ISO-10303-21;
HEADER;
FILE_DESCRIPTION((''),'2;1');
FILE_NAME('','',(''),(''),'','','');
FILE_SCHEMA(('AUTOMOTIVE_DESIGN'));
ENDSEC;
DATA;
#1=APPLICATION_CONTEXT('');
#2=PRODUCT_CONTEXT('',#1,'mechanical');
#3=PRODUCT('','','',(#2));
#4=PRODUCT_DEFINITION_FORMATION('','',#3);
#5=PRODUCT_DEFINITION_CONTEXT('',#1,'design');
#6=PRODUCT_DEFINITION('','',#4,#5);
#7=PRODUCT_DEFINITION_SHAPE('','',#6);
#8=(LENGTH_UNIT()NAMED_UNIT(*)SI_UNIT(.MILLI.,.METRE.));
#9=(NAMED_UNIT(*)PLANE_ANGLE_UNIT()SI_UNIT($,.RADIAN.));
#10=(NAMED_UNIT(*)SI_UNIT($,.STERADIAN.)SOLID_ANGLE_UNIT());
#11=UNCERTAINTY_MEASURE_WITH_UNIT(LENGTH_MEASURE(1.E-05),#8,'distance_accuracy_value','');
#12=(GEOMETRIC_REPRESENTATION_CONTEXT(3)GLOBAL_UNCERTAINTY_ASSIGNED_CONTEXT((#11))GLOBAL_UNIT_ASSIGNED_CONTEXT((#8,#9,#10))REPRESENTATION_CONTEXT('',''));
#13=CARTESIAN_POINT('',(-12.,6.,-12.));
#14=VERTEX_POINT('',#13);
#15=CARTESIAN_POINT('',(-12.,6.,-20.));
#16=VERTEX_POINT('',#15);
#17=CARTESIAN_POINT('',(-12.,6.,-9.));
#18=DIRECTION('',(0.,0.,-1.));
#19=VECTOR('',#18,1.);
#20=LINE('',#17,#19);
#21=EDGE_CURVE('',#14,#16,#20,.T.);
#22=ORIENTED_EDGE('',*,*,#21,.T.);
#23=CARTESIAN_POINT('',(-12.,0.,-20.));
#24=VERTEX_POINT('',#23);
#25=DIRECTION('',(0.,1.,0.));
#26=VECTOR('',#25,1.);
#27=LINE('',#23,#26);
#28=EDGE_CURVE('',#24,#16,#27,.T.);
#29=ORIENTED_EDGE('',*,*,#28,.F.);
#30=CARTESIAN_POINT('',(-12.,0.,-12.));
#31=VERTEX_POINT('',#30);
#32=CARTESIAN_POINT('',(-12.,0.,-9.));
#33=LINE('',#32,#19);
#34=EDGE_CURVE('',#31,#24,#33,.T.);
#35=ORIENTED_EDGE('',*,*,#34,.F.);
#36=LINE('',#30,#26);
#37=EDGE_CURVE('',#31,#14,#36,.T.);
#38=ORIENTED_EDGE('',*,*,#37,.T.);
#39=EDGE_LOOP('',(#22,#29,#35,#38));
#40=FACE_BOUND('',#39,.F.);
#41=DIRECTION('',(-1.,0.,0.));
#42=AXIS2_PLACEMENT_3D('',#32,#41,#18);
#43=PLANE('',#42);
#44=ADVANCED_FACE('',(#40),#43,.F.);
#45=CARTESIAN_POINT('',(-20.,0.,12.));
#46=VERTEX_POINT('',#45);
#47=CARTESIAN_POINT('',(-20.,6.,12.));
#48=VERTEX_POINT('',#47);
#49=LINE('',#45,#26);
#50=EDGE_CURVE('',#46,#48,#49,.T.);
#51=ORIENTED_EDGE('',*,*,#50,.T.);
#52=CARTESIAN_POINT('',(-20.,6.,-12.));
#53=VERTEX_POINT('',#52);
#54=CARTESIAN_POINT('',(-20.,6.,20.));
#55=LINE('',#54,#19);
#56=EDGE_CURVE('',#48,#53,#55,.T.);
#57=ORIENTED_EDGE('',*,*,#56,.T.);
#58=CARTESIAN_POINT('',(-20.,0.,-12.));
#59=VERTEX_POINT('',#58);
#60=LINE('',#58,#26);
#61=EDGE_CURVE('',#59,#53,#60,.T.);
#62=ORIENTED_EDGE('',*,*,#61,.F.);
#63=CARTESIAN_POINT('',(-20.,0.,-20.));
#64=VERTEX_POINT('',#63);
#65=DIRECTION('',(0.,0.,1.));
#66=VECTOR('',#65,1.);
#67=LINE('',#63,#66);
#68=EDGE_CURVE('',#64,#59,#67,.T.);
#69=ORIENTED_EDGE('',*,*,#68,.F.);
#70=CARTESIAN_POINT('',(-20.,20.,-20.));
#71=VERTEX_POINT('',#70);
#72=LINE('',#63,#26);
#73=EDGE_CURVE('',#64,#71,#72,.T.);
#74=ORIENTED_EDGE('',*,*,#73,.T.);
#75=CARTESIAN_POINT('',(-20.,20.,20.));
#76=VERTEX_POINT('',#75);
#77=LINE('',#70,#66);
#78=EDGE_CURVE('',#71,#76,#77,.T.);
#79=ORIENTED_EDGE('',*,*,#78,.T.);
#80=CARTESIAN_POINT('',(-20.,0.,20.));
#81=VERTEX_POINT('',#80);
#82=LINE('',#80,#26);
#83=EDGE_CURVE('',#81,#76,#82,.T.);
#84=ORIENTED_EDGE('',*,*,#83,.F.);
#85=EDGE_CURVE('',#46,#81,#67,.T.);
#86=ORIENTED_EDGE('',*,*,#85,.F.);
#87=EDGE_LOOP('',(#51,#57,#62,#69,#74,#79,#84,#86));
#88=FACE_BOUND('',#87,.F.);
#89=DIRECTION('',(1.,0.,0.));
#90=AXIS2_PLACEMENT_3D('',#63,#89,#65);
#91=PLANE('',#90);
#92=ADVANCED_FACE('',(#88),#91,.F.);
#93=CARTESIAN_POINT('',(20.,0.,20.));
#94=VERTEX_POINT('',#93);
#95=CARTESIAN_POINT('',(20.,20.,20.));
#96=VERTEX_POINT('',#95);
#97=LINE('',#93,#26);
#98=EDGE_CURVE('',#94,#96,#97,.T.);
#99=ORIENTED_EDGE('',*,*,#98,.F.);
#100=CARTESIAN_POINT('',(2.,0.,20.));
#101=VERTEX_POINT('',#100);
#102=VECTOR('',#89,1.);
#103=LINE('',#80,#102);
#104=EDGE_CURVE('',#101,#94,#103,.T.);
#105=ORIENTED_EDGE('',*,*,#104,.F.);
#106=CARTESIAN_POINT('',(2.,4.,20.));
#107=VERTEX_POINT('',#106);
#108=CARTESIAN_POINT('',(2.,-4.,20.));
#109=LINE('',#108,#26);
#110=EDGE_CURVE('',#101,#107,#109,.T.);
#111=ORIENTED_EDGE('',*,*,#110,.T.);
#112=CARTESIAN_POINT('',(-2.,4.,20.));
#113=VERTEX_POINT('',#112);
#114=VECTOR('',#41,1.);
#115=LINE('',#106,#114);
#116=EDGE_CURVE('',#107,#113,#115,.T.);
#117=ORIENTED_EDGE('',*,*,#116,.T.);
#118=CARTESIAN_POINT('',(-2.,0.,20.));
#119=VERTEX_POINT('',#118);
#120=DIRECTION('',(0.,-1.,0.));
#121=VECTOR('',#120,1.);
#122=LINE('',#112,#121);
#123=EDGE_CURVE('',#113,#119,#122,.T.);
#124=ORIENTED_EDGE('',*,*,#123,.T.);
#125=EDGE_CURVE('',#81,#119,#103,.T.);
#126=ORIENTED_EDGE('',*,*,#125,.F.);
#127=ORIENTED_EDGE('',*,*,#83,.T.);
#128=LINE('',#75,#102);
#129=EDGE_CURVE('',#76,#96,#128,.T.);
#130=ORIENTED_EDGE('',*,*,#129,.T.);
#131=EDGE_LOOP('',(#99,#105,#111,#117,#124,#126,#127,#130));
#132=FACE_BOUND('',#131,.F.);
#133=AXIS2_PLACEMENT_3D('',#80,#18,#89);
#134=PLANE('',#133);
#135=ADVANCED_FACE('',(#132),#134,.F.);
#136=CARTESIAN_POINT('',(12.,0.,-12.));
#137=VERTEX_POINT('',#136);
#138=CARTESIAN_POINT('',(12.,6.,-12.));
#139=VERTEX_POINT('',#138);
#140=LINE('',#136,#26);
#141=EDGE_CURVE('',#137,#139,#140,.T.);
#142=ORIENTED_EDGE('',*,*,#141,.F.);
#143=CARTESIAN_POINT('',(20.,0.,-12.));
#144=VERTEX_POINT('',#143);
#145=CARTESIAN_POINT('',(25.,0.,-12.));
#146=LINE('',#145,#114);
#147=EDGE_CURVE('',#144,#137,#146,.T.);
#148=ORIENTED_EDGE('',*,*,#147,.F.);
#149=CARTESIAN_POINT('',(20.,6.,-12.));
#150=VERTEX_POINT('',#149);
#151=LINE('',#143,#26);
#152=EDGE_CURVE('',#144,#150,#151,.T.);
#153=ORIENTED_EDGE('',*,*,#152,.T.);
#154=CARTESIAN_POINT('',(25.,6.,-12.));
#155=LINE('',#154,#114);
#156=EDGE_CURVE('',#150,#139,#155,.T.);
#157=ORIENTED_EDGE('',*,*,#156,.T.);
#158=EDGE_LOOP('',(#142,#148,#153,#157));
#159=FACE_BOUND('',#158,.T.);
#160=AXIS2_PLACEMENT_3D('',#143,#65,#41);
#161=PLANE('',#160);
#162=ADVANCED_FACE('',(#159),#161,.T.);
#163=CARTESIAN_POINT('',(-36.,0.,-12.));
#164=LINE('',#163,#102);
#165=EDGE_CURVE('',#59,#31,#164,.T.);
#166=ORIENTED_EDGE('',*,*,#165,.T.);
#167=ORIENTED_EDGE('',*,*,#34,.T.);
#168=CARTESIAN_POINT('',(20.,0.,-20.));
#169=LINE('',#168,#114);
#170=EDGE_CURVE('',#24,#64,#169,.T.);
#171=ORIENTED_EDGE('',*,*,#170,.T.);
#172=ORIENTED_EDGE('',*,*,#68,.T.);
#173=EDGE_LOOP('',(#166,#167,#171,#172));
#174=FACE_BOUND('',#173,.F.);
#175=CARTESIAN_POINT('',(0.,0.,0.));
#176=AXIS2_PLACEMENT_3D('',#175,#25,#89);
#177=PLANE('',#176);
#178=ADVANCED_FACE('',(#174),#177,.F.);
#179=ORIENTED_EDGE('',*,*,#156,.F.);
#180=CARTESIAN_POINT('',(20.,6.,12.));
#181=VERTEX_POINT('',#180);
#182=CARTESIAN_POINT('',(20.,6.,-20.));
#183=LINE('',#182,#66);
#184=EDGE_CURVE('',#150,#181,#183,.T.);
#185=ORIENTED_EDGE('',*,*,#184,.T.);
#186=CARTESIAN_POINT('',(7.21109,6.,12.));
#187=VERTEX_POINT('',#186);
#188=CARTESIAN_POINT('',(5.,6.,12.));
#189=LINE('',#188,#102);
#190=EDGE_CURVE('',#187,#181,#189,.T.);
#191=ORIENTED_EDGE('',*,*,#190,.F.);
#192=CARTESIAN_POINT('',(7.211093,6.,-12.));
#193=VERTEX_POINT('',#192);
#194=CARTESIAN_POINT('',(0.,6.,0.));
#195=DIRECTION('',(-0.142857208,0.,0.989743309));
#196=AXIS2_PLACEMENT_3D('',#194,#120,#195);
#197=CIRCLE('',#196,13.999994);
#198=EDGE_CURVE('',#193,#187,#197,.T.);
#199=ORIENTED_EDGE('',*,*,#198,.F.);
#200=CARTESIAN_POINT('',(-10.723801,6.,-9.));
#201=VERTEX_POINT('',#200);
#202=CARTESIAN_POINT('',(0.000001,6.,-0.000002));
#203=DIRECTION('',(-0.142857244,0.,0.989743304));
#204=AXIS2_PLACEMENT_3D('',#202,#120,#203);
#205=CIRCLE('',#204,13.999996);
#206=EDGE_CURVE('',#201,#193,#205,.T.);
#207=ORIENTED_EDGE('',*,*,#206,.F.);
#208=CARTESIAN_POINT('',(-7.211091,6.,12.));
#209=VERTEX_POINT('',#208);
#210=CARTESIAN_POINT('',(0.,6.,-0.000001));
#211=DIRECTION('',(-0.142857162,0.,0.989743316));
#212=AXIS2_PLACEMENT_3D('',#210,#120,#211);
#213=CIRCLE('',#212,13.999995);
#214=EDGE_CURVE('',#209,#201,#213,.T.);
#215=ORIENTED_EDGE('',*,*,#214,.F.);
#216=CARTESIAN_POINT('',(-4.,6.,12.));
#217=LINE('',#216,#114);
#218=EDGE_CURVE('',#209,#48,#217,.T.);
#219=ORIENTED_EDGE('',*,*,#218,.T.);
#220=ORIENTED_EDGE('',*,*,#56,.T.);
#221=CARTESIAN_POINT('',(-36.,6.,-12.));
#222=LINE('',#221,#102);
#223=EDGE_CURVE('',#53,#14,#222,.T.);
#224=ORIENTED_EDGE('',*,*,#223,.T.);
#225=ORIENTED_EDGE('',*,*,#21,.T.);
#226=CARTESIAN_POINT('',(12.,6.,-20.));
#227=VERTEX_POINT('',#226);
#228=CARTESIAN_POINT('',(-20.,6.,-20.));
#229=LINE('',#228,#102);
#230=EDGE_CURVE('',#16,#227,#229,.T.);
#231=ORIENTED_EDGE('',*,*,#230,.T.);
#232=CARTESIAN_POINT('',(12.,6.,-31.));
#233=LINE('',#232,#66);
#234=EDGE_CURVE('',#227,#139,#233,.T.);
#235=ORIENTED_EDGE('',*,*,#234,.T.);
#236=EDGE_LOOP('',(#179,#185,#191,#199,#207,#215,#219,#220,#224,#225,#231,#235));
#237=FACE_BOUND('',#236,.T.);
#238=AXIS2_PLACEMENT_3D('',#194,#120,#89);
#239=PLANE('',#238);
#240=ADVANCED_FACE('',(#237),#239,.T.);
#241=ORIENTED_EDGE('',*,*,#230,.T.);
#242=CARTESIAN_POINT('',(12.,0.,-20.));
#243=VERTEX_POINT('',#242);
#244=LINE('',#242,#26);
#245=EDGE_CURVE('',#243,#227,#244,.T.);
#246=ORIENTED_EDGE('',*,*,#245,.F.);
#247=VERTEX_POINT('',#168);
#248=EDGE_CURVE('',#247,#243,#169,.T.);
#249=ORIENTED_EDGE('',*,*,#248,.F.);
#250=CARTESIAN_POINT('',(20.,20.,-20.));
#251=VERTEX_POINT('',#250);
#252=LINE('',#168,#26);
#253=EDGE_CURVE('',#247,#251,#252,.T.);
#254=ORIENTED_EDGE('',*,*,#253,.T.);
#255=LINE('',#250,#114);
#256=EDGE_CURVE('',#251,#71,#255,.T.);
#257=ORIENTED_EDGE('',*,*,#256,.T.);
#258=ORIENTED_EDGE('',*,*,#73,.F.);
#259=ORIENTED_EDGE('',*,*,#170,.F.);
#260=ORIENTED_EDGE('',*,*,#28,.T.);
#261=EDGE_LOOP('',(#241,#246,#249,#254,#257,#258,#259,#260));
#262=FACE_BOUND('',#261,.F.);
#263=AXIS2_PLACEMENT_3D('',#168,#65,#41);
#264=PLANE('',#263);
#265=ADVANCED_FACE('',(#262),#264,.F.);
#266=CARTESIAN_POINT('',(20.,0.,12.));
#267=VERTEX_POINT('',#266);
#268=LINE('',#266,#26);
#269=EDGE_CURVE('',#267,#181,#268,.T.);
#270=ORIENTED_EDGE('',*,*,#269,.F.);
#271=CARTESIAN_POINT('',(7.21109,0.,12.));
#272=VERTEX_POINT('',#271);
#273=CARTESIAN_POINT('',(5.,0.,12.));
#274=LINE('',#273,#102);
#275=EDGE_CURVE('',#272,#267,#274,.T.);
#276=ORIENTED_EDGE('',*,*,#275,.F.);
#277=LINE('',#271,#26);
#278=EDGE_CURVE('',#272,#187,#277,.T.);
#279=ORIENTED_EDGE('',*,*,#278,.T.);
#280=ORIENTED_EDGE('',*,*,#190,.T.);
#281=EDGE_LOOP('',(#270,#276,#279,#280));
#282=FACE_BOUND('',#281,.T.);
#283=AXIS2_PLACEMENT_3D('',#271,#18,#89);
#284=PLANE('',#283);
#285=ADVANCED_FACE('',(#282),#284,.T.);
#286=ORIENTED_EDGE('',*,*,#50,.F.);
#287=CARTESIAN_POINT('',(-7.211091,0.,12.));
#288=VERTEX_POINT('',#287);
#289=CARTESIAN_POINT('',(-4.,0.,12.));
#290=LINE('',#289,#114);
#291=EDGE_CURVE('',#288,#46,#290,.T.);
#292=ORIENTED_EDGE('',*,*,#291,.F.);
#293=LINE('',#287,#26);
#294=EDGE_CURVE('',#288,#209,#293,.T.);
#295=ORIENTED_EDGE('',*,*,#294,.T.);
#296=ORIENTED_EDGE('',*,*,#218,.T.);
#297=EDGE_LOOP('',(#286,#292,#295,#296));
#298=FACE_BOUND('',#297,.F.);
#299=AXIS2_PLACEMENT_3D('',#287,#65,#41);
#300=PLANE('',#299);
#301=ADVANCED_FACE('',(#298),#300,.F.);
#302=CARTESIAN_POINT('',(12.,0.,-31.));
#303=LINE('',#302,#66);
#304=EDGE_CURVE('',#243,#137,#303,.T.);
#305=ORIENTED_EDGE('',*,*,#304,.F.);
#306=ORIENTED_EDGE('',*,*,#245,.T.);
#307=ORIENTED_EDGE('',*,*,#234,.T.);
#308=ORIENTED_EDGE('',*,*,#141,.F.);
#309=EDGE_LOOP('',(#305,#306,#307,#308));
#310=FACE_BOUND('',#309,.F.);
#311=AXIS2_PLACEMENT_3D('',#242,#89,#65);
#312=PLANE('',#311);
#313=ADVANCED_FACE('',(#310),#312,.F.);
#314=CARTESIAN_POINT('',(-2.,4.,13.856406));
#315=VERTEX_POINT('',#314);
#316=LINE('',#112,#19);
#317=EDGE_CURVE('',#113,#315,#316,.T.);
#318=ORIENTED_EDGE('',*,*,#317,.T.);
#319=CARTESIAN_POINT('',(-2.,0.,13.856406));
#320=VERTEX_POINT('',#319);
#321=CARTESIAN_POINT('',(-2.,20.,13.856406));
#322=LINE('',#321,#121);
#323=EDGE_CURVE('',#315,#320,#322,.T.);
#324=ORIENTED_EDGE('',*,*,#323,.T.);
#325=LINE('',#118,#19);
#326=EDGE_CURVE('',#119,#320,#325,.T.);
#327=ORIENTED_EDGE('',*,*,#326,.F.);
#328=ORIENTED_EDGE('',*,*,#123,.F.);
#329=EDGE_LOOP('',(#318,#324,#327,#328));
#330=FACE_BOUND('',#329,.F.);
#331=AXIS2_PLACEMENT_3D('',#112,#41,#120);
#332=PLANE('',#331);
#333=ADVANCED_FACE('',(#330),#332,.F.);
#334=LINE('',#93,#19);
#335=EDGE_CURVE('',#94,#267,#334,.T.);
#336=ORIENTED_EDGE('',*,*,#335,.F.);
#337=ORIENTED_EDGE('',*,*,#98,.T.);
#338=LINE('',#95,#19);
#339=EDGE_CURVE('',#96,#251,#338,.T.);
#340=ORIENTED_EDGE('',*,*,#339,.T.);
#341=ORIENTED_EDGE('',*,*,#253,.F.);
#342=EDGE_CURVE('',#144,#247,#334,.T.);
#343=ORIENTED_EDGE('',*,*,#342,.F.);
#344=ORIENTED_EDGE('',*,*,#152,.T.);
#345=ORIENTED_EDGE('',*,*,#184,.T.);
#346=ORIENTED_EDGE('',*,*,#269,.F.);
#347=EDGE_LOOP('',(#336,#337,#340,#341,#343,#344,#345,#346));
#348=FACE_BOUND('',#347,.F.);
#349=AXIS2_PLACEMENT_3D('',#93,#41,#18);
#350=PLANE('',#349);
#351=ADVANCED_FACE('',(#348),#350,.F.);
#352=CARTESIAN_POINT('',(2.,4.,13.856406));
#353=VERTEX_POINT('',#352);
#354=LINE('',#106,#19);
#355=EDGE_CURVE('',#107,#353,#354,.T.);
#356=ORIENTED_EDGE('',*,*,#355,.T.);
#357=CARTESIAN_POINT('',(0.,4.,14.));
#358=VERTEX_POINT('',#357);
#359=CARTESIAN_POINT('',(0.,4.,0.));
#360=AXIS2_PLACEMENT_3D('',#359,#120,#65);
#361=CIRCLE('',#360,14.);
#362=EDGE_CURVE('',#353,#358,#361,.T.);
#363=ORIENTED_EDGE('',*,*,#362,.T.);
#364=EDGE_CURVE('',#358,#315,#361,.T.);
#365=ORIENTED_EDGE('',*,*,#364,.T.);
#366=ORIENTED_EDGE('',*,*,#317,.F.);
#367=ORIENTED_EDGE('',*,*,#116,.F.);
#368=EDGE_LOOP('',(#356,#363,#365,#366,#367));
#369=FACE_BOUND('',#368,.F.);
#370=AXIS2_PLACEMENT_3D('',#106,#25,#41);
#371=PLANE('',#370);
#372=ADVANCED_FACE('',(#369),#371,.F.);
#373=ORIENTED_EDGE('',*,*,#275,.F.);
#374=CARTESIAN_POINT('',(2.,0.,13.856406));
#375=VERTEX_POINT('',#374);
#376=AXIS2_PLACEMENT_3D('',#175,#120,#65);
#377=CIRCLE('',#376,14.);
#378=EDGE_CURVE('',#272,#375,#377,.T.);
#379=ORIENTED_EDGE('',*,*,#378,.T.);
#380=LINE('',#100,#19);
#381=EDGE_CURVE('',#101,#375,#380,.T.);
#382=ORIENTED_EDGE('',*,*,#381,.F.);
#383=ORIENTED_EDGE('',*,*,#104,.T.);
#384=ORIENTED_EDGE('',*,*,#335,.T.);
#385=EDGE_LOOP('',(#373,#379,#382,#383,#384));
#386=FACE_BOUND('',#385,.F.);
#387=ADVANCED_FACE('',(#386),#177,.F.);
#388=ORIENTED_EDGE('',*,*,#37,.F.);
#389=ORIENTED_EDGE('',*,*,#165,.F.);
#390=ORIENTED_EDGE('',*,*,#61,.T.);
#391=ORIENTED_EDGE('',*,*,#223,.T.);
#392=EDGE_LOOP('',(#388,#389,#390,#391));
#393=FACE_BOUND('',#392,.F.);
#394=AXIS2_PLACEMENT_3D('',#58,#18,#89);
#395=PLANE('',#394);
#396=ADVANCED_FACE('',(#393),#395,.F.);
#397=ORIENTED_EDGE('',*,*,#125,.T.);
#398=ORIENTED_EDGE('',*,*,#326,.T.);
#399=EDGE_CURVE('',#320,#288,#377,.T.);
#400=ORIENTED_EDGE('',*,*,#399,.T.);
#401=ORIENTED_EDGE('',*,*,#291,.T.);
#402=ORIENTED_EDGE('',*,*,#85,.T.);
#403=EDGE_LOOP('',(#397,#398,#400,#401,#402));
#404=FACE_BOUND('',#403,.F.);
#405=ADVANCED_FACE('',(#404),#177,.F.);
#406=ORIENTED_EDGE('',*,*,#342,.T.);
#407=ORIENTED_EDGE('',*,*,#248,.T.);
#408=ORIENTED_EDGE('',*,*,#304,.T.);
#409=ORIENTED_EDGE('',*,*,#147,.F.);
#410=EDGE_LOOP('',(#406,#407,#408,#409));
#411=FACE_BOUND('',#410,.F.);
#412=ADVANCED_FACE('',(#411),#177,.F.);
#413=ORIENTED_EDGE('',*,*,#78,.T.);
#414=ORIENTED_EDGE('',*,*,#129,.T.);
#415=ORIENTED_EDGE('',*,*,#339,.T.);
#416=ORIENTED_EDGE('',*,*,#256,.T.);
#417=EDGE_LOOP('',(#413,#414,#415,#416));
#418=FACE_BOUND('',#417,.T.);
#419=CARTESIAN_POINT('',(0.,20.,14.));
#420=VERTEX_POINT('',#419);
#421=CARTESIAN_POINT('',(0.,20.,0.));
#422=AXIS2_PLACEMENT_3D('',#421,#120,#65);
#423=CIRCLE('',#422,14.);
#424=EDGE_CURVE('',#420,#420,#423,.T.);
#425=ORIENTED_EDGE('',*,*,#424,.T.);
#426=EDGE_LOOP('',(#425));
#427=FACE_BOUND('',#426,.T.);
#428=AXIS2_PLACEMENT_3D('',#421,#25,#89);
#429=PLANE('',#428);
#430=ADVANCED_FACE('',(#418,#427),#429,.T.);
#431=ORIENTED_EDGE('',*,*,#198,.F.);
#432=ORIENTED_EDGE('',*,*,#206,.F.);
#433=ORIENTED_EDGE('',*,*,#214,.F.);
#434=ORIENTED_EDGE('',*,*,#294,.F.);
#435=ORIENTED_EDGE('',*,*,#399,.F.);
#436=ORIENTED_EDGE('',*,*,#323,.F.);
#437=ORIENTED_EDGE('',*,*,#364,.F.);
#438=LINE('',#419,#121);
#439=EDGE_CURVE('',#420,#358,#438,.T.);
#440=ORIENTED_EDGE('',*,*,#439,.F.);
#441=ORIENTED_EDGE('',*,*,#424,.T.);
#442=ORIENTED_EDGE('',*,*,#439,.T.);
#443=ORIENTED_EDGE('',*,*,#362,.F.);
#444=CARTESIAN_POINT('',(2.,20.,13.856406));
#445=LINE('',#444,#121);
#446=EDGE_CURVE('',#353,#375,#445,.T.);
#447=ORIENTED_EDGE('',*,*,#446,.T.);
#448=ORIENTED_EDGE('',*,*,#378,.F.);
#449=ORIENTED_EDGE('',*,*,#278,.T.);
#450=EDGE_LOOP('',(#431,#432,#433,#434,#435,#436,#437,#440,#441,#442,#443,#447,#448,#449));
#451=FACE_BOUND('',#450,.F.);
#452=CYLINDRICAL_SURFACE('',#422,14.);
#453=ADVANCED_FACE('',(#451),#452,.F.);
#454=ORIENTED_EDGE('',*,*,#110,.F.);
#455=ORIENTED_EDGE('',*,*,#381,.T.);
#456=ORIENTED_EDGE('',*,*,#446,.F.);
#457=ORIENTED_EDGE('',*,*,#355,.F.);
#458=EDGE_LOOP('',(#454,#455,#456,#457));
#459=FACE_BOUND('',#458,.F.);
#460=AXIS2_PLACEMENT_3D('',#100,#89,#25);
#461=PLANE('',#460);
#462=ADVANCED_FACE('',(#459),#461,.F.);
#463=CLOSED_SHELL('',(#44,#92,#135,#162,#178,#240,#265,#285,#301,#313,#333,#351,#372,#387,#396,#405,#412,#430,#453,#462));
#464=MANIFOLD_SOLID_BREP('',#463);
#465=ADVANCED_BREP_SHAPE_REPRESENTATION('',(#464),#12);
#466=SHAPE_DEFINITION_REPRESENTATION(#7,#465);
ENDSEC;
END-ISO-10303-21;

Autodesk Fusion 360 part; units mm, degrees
sketch "Sketch1" plane through (0, 0, 0) normal (0, 1, 0) x (1, 0, 0)
  line L0 (20, 20) -> (-20, 20)
  line L1 (-20, 20) -> (-20, -20)
  line L2 (-20, -20) -> (20, -20)
  line L3 (20, -20) -> (20, 20)
  line L4 (20, 20) -> (-20, -20) construction
  line L5 (-20, 20) -> (20, -20) construction
  dimension "d1" = 40
extrude "Extrude1" add sketch "Sketch1" along normal blind 20
sketch "Sketch2" plane through (0, 20, 0) normal (0, 1, 0) x (-1, 0, 0)
  line L0 (-20, 20) -> (-20, -20)
  line L1 (-20, -20) -> (20, -20)
  line L2 (20, -20) -> (20, 20)
  line L3 (20, 20) -> (-20, 20)
hole "Hole1" at (0, 20, 0) direction (0, -1, 0) diameter 28 end through all
sketch "Sketch3" plane through (0, 0, 20) normal (0, 0, 1) x (1, 0, 0)
  line L0 (-20, 0) -> (20, 0)
  line L1 (20, 0) -> (20, 20)
  line L2 (20, 20) -> (-20, 20)
  line L3 (-20, 20) -> (-20, 0)
  line L4 (2, 4) -> (-2, 4)
  line L5 (-2, 4) -> (-2, -4)
  line L6 (-2, -4) -> (2, -4)
  line L7 (2, -4) -> (2, 4)
  line L8 (2, 4) -> (-2, -4) construction
  line L9 (-2, 4) -> (2, -4) construction
  dimension "d7" = 4
  dimension "d8" = 8
extrude "Extrude2" cut sketch "Sketch3" against normal blind 10 contours L0 L4 L5 L7
sketch "Sketch4" plane through (0, 0, 0) normal (0, -1, 0) x (1, 0, 0)
  line L0 (-2, 13.8564) -> (-2, 20)
  line L1 (-2, 20) -> (-20, 20)
  line L2 (-20, 20) -> (-20, -20)
  line L3 (-20, -20) -> (20, -20)
  line L4 (20, -20) -> (20, 20)
  line L5 (20, 20) -> (2, 20)
  line L6 (2, 20) -> (2, 13.8564)
  arc A0 (-2, 13.8564) -> (2, 13.8564) centre (0, 0) ccw
  line L7 (25, -12) -> (5, -12)
  line L8 (5, -12) -> (5, 12)
  line L9 (5, 12) -> (25, 12)
  line L10 (25, 12) -> (25, -12)
  line L11 (25, -12) -> (5, 12) construction
  line L12 (5, -12) -> (25, 12) construction
  point P0 (15, 0)
extrude "Extrude3" cut sketch "Sketch4" against normal blind 6 contours L4 A0 L7 L9
sketch "Sketch5" plane through (0, 0, 0) normal (0, -1, 0) x (1, 0, 0)
  line L0 (20, -12) -> (7.2111, -12)
  arc A0 (-2, 13.8564) -> (7.2111, -12) centre (0, 0) ccw
  line L1 (-2, 13.8564) -> (-2, 20)
  line L2 (-2, 20) -> (-20, 20)
  line L3 (-20, 20) -> (-20, -20)
  line L4 (-20, -20) -> (20, -20)
  line L5 (20, -20) -> (20, -12)
  line L6 (12, -9) -> (-12, -9)
  line L7 (-12, -9) -> (-12, -31)
  line L8 (-12, -31) -> (12, -31)
  line L9 (12, -31) -> (12, -9)
  line L10 (12, -9) -> (-12, -31) construction
  line L11 (-12, -9) -> (12, -31) construction
  point P0 (0, -20)
extrude "Extrude4" cut sketch "Sketch5" against normal blind 6 contours L0 A0 L4 L6 L7 L9
sketch "Sketch6" plane through (0, 0, 0) normal (0, -1, 0) x (1, 0, 0)
  line L0 (-12, -20) -> (-12, -9)
  line L1 (-12, -9) -> (-10.7238, -9)
  arc A0 (-2, 13.8564) -> (-10.7238, -9) centre (0, 0) ccw
  line L2 (-2, 13.8564) -> (-2, 20)
  line L3 (-2, 20) -> (-20, 20)
  line L4 (-20, 20) -> (-20, -20)
  line L5 (-20, -20) -> (-12, -20)
  line L6 (-4, 12) -> (-36, 12)
  line L7 (-36, 12) -> (-36, -12)
  line L8 (-36, -12) -> (-4, -12)
  line L9 (-4, -12) -> (-4, 12)
  line L10 (-4, 12) -> (-36, -12) construction
  line L11 (-36, 12) -> (-4, -12) construction
  point P0 (-20, 0)
extrude "Extrude5" cut sketch "Sketch6" against normal blind 6 contours L0 L1 A0 L4 L6 L8
